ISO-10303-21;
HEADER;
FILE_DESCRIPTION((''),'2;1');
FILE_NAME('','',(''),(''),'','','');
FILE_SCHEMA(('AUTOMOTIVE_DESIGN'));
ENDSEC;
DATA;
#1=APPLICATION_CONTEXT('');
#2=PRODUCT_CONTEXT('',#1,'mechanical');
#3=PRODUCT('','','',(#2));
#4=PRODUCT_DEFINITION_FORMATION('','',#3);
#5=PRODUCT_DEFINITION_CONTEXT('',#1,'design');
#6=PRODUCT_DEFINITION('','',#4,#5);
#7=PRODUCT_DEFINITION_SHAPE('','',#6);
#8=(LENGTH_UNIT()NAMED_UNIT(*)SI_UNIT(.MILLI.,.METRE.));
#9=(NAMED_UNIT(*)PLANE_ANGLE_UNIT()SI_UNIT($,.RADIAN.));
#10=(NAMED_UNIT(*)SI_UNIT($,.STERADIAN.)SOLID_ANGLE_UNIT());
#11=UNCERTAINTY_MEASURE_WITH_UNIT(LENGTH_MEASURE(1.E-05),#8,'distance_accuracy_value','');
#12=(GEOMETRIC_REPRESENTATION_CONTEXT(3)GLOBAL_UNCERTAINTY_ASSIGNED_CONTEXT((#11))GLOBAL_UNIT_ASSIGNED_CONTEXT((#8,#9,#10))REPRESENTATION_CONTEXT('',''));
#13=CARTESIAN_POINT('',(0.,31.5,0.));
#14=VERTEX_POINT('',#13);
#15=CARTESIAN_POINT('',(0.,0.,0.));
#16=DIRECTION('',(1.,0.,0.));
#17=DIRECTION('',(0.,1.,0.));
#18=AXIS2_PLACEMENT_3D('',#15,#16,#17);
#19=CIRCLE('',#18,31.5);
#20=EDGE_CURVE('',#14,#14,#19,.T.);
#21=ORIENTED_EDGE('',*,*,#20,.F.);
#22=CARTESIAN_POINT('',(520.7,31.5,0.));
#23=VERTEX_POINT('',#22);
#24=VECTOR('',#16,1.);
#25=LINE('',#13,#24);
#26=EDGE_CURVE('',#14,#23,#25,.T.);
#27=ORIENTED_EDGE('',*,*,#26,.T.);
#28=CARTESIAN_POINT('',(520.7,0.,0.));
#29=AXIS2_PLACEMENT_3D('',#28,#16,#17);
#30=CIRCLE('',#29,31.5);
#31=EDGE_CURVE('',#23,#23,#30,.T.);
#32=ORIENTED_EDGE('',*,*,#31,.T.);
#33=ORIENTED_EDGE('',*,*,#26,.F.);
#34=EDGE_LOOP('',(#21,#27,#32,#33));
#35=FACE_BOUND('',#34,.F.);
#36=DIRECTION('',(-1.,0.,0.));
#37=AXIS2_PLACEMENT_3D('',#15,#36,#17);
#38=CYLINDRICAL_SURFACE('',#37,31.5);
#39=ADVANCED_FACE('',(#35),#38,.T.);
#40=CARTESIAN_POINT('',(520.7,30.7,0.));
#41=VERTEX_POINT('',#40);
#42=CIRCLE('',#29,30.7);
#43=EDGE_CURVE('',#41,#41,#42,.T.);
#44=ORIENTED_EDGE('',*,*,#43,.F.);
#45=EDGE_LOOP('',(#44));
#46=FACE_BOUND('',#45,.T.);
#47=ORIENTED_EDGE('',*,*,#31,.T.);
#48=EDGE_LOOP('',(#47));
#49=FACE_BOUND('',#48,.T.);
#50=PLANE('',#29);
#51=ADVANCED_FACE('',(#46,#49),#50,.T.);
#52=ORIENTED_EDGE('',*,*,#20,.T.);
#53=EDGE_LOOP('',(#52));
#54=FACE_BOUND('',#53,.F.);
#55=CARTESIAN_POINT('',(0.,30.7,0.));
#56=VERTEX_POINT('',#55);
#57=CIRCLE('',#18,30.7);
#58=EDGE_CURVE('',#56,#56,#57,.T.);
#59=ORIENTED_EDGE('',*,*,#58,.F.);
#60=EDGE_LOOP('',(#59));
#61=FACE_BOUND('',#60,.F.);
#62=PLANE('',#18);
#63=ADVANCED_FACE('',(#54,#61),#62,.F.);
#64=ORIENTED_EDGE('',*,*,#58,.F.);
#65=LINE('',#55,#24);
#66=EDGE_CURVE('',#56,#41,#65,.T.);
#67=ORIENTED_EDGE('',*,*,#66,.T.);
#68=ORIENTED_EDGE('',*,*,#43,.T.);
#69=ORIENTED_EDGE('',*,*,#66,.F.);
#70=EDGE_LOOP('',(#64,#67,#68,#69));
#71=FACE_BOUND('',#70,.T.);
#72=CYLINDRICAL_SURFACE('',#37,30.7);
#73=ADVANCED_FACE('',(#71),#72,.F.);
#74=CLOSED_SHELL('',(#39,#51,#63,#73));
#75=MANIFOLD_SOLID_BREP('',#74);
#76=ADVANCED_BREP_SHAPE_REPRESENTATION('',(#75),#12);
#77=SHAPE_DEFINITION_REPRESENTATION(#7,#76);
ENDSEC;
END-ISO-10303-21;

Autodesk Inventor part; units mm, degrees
ref_plane "YZ Plane" through (0, 0, 0) normal (1, 0, 0) x (0, 1, 0)
ref_plane "XZ Plane" through (0, 0, 0) normal (0, 1, 0) x (-1, 0, 0)
ref_plane "XY Plane" through (0, 0, 0) normal (0, 0, 1) x (1, 0, 0)
sketch "Sketch1" plane through (0, 0, 0) normal (1, 0, 0) x (0, 1, 0)
  circle A0 centre (0, 0) radius 31.5
  circle A1 centre (0, 0) radius 30.7
  dimension "d0" = 63
  dimension "d1" = 0.8
extrude "Extrusion1" add sketch "Sketch1" along normal blind 520.7
equation "\"d0\" = OD"
equation "\"d1\" = t"
equation "\"d2\" = L"
equation "\"OD\" = 63"
equation "\"t\" = 0.8"
equation "\"L\" = PL"
equation "\"ID\" = 61.4"
equation "\"PL\" = 520.7"
properties part number "ISO 4065 Pipe DN63x0.8xS40 - 1242.06000000" material "PVC-Piping"
